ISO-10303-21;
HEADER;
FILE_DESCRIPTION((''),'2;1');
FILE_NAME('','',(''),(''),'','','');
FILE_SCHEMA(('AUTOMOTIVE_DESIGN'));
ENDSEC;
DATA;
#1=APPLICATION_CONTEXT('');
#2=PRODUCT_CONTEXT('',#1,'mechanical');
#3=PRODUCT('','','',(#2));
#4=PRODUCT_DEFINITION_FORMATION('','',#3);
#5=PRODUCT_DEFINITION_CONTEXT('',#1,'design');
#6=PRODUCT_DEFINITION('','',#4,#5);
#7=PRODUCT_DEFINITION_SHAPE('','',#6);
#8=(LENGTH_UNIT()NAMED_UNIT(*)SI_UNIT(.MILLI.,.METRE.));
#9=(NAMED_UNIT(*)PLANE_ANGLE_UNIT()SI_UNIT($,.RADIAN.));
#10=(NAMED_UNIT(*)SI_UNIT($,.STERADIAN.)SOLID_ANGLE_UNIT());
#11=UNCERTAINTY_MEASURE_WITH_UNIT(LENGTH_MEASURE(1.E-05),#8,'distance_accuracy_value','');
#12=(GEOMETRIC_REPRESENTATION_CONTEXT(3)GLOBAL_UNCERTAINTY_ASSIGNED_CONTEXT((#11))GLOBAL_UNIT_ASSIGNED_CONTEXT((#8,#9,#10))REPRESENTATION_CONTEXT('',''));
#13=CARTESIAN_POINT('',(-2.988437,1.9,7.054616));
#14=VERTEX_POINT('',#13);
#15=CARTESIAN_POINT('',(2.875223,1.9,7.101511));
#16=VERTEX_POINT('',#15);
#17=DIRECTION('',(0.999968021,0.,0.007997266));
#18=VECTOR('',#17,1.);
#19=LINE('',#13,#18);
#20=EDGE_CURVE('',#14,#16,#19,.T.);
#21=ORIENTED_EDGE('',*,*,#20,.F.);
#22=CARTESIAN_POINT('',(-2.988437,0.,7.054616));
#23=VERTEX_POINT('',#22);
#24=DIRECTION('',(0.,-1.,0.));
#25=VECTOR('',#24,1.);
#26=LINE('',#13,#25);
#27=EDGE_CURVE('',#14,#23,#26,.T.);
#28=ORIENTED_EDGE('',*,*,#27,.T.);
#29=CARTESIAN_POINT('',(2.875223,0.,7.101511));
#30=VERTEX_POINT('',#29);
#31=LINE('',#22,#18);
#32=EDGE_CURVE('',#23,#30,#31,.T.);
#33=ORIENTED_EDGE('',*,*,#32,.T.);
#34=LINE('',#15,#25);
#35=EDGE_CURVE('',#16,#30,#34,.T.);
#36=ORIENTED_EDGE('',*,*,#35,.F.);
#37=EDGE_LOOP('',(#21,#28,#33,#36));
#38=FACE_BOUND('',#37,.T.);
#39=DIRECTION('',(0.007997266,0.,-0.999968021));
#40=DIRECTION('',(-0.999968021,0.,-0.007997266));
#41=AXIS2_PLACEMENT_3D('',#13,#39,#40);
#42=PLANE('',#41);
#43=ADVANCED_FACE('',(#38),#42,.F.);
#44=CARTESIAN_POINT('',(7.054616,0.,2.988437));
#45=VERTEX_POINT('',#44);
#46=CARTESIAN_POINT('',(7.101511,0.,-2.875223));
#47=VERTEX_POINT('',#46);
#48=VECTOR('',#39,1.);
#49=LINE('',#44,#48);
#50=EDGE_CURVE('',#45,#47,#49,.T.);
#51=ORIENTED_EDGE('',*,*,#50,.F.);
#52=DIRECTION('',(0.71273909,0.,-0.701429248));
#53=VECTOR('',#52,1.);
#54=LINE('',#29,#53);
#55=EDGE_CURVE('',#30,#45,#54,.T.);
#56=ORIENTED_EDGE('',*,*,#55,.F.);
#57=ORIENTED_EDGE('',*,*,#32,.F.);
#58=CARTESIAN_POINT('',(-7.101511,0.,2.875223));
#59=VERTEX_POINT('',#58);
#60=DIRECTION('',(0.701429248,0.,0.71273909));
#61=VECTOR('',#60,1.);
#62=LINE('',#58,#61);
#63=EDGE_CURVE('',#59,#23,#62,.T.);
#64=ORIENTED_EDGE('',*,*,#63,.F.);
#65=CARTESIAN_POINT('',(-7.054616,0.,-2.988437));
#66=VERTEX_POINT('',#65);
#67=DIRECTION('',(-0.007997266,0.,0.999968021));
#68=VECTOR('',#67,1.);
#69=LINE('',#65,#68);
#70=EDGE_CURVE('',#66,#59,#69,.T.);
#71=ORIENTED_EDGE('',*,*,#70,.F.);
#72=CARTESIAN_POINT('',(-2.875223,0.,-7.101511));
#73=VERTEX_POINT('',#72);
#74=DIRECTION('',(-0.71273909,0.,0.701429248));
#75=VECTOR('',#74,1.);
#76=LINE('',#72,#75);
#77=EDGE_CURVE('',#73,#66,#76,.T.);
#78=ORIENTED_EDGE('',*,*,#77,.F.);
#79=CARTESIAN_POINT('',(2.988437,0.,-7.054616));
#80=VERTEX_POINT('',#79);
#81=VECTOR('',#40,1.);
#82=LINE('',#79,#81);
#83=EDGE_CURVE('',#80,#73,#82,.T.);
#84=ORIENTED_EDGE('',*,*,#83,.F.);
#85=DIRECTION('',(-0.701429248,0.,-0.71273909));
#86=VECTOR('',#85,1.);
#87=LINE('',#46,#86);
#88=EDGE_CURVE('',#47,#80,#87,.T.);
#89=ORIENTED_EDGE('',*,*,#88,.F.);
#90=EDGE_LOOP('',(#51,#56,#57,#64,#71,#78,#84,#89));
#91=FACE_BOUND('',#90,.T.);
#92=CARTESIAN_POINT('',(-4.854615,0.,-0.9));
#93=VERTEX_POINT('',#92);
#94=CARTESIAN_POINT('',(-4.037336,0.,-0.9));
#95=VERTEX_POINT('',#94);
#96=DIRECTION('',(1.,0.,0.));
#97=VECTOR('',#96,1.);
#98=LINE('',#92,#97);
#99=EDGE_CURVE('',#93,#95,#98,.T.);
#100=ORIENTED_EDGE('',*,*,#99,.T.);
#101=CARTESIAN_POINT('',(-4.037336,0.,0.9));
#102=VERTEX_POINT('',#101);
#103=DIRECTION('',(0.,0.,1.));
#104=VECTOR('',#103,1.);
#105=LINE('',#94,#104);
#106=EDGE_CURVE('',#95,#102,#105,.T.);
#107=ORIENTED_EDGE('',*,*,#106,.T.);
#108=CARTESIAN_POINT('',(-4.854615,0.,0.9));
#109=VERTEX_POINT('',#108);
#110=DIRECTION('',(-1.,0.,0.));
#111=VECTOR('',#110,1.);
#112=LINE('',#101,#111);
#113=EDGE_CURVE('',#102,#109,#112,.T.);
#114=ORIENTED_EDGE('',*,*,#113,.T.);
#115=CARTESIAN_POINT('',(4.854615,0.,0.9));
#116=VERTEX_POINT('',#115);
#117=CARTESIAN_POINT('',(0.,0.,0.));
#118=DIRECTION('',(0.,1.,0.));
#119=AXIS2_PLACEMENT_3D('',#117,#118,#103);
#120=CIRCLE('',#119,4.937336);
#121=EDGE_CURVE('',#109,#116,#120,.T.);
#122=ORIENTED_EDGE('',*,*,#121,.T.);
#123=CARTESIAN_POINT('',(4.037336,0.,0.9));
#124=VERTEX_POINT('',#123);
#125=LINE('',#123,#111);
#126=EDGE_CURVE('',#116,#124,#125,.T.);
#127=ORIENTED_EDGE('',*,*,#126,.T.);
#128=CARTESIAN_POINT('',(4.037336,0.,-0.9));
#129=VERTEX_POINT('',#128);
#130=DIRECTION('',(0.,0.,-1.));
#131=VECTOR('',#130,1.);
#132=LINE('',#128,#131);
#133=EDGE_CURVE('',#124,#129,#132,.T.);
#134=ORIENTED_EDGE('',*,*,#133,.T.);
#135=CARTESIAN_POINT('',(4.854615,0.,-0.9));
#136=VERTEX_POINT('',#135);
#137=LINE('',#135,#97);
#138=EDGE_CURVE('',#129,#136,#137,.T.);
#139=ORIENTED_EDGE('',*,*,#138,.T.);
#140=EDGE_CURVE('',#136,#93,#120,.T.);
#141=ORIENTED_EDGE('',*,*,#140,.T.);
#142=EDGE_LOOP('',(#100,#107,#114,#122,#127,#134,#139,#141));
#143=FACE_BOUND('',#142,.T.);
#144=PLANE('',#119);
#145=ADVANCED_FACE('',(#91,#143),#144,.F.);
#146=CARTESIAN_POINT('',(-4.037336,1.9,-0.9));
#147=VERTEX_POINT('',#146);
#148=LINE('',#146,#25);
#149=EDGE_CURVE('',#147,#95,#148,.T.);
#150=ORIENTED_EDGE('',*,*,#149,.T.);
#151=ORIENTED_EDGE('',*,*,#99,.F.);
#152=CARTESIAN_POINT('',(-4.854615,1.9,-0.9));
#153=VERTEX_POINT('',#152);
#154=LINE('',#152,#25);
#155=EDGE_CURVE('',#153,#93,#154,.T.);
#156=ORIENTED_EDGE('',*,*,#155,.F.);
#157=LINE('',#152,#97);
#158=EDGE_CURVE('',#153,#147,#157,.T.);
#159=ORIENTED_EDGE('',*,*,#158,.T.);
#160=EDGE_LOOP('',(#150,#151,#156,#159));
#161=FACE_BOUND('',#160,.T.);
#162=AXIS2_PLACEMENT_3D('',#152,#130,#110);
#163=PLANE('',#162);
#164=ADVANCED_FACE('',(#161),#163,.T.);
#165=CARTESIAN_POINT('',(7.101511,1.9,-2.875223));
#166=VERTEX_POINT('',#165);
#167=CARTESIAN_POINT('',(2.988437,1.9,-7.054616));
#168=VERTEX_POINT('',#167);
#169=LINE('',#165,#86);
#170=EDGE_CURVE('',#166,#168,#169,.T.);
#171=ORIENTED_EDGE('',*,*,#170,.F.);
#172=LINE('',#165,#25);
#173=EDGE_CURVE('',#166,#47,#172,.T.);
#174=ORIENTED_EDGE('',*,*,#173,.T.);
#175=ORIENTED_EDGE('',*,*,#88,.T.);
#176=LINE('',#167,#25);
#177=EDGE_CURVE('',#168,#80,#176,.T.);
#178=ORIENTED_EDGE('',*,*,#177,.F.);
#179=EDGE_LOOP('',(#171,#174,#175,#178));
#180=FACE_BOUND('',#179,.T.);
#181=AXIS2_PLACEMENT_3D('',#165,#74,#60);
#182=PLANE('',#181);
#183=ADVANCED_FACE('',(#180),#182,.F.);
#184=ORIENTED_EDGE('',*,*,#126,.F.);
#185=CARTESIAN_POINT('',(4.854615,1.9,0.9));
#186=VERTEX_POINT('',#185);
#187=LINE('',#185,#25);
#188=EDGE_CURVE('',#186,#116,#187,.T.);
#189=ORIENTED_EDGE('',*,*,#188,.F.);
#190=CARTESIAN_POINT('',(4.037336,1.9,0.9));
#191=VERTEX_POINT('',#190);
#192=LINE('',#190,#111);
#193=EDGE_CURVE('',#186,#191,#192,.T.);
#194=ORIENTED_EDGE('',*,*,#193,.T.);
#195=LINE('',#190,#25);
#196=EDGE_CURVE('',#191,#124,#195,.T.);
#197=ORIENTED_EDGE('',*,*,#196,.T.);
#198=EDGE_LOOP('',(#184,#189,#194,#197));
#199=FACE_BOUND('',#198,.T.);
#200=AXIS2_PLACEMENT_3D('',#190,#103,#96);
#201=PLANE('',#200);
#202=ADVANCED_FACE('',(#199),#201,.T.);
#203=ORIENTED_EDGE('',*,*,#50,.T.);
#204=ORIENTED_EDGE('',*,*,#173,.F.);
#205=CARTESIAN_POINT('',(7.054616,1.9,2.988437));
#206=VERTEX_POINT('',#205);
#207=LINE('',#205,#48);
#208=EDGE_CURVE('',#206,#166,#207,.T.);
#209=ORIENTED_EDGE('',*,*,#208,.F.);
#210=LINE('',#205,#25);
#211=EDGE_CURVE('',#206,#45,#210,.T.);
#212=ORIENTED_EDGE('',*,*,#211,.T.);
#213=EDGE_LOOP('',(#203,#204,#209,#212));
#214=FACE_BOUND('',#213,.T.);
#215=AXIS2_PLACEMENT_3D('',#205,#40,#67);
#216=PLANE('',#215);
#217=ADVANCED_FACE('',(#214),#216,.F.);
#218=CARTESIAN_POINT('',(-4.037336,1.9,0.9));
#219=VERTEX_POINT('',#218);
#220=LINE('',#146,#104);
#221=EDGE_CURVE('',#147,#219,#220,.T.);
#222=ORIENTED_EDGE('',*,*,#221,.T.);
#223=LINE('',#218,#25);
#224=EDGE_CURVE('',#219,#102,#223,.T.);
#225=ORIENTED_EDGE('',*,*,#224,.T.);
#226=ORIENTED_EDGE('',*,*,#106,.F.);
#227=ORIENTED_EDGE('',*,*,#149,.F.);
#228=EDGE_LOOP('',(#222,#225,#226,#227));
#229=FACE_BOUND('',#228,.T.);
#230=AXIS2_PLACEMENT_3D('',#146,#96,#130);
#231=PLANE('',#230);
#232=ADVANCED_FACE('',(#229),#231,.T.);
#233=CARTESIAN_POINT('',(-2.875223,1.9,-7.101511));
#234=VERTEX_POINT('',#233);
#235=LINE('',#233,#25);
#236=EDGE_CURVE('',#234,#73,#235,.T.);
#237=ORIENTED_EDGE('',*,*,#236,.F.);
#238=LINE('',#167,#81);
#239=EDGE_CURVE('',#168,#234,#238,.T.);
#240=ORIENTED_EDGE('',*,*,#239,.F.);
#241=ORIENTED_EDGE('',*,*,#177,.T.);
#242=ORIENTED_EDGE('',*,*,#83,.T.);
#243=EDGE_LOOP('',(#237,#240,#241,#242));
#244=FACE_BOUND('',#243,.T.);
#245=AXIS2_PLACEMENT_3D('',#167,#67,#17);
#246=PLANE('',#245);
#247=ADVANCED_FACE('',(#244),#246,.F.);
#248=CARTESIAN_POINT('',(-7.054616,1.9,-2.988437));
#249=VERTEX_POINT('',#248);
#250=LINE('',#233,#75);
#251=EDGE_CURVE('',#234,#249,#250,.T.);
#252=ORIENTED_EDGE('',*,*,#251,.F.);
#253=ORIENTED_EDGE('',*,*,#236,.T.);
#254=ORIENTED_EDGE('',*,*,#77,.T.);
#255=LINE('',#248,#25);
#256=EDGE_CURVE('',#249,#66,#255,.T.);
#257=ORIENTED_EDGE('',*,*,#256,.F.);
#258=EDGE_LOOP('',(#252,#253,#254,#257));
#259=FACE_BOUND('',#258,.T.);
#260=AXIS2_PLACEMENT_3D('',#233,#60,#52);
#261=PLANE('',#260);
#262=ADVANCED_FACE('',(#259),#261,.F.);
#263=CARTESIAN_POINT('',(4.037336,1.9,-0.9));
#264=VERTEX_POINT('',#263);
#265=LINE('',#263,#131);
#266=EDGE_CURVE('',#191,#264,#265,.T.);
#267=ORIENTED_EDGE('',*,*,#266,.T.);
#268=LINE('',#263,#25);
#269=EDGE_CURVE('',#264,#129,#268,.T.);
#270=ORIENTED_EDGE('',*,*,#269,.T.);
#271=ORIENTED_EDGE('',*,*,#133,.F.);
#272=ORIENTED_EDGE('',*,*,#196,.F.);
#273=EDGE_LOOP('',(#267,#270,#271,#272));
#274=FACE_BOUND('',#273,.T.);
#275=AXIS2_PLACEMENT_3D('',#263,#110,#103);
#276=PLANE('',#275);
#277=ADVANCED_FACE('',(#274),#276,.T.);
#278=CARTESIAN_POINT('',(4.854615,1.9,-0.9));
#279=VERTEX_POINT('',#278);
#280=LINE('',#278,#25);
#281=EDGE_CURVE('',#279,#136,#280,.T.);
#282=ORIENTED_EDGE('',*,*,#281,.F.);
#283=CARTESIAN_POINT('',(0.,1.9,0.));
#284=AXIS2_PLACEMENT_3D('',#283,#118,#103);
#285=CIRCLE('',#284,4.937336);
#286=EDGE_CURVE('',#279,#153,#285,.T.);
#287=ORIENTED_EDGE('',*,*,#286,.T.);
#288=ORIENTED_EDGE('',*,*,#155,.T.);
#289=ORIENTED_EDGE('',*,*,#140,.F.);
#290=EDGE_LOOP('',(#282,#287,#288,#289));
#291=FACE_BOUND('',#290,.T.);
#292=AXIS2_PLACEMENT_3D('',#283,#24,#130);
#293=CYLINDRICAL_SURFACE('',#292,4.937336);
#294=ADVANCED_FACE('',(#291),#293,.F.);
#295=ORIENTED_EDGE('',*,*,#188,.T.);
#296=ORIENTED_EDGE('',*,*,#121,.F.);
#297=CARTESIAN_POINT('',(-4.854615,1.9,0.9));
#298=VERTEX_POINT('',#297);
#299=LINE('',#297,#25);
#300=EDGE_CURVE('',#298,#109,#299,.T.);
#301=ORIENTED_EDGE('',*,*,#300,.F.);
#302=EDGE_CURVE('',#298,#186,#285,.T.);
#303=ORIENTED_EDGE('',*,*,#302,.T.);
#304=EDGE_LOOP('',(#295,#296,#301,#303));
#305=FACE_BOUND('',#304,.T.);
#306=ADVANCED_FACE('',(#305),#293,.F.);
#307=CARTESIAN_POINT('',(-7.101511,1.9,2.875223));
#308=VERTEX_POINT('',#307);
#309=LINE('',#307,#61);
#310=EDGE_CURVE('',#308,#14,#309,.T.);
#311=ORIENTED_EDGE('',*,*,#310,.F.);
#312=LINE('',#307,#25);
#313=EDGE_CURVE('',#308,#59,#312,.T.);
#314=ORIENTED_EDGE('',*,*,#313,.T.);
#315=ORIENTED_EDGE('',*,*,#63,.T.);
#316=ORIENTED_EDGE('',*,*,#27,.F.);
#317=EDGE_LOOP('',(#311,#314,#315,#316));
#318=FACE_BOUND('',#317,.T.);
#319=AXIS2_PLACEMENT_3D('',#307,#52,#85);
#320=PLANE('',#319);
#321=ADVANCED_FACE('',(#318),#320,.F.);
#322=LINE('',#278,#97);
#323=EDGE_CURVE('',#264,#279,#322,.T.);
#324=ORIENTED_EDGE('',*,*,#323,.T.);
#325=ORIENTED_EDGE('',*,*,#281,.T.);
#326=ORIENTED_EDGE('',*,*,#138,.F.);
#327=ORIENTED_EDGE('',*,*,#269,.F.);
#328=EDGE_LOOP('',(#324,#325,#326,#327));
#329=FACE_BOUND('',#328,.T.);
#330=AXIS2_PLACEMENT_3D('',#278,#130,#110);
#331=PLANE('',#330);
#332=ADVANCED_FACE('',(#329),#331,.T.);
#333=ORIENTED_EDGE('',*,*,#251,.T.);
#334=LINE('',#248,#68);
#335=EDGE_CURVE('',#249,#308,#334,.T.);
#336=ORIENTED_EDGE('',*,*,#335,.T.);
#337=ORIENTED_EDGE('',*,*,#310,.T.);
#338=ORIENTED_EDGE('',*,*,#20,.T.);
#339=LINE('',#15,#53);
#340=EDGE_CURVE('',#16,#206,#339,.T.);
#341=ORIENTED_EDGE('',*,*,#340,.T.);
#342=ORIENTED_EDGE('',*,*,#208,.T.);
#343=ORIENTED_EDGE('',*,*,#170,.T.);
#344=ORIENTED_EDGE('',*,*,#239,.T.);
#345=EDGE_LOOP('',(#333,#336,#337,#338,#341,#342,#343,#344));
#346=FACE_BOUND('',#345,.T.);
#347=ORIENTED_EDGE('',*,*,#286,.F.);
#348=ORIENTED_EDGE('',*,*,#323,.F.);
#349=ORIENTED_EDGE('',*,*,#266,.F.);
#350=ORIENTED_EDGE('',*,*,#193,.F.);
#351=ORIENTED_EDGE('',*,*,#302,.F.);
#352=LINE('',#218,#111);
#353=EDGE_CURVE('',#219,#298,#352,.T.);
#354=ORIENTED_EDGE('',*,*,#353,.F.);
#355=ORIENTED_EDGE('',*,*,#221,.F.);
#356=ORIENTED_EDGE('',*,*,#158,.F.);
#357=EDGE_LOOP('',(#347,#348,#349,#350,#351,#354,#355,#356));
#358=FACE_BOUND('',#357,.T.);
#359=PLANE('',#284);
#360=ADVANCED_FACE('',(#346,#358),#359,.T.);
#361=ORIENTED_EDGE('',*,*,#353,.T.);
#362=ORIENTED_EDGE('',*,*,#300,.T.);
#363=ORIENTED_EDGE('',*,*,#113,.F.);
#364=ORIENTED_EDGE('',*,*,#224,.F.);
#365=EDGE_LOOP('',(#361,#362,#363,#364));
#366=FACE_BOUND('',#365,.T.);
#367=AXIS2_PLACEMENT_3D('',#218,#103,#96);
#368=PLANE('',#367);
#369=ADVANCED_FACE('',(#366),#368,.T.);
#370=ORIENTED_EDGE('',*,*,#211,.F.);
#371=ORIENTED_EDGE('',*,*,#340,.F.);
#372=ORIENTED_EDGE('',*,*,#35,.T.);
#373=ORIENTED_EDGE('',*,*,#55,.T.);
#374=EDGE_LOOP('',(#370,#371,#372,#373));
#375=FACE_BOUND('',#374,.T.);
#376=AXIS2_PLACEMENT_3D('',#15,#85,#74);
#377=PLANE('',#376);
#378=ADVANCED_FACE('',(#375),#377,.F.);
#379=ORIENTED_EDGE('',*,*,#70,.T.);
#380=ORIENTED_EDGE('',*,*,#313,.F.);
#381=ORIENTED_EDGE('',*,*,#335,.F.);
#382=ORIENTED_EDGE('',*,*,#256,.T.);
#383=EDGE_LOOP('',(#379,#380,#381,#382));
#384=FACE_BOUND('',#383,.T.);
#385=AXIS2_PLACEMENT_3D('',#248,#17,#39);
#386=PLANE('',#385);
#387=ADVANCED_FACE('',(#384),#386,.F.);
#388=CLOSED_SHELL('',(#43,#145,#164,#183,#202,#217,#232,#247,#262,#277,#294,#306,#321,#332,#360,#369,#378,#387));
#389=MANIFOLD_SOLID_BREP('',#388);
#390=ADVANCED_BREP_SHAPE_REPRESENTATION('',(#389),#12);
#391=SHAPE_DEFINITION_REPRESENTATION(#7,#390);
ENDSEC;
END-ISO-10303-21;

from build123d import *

# Parameters (mm, degrees)
BOSS_EXTRUDE1_DEPTH = 1.9


with BuildPart() as part:
    # Sketch1 → Boss-Extrude1 (new body)
    with BuildSketch(Plane(origin=(0, 0, 0), x_dir=(1, 0, 0), z_dir=(0, 1, 0))):
        Polygon((2.875222959, -7.101510951), (7.054616202, -2.988436898), (7.101510951, 2.875222959), (2.988436898, 7.054616202), (-2.875222959, 7.101510951), (-7.054616202, 2.988436898), (-7.101510951, -2.875222959), (-2.988436898, -7.054616202), align=None)
        with BuildLine():
            Line((-4.854615023, 0.9), (-4.037336024, 0.9))
            Line((-4.037336024, 0.9), (-4.037336024, -0.9))
            Line((-4.037336024, -0.9), (-4.854615023, -0.9))
            ThreePointArc((-4.854615023, -0.9), (0, -4.937336024), (4.854615023, -0.9))
            Line((4.854615023, -0.9), (4.037336024, -0.9))
            Line((4.037336024, -0.9), (4.037336024, 0.9))
            Line((4.037336024, 0.9), (4.854615023, 0.9))
            ThreePointArc((4.854615023, 0.9), (0, 4.937336024), (-4.854615023, 0.9))
        make_face(mode=Mode.SUBTRACT)
    extrude(amount=BOSS_EXTRUDE1_DEPTH)


solid = part.part
